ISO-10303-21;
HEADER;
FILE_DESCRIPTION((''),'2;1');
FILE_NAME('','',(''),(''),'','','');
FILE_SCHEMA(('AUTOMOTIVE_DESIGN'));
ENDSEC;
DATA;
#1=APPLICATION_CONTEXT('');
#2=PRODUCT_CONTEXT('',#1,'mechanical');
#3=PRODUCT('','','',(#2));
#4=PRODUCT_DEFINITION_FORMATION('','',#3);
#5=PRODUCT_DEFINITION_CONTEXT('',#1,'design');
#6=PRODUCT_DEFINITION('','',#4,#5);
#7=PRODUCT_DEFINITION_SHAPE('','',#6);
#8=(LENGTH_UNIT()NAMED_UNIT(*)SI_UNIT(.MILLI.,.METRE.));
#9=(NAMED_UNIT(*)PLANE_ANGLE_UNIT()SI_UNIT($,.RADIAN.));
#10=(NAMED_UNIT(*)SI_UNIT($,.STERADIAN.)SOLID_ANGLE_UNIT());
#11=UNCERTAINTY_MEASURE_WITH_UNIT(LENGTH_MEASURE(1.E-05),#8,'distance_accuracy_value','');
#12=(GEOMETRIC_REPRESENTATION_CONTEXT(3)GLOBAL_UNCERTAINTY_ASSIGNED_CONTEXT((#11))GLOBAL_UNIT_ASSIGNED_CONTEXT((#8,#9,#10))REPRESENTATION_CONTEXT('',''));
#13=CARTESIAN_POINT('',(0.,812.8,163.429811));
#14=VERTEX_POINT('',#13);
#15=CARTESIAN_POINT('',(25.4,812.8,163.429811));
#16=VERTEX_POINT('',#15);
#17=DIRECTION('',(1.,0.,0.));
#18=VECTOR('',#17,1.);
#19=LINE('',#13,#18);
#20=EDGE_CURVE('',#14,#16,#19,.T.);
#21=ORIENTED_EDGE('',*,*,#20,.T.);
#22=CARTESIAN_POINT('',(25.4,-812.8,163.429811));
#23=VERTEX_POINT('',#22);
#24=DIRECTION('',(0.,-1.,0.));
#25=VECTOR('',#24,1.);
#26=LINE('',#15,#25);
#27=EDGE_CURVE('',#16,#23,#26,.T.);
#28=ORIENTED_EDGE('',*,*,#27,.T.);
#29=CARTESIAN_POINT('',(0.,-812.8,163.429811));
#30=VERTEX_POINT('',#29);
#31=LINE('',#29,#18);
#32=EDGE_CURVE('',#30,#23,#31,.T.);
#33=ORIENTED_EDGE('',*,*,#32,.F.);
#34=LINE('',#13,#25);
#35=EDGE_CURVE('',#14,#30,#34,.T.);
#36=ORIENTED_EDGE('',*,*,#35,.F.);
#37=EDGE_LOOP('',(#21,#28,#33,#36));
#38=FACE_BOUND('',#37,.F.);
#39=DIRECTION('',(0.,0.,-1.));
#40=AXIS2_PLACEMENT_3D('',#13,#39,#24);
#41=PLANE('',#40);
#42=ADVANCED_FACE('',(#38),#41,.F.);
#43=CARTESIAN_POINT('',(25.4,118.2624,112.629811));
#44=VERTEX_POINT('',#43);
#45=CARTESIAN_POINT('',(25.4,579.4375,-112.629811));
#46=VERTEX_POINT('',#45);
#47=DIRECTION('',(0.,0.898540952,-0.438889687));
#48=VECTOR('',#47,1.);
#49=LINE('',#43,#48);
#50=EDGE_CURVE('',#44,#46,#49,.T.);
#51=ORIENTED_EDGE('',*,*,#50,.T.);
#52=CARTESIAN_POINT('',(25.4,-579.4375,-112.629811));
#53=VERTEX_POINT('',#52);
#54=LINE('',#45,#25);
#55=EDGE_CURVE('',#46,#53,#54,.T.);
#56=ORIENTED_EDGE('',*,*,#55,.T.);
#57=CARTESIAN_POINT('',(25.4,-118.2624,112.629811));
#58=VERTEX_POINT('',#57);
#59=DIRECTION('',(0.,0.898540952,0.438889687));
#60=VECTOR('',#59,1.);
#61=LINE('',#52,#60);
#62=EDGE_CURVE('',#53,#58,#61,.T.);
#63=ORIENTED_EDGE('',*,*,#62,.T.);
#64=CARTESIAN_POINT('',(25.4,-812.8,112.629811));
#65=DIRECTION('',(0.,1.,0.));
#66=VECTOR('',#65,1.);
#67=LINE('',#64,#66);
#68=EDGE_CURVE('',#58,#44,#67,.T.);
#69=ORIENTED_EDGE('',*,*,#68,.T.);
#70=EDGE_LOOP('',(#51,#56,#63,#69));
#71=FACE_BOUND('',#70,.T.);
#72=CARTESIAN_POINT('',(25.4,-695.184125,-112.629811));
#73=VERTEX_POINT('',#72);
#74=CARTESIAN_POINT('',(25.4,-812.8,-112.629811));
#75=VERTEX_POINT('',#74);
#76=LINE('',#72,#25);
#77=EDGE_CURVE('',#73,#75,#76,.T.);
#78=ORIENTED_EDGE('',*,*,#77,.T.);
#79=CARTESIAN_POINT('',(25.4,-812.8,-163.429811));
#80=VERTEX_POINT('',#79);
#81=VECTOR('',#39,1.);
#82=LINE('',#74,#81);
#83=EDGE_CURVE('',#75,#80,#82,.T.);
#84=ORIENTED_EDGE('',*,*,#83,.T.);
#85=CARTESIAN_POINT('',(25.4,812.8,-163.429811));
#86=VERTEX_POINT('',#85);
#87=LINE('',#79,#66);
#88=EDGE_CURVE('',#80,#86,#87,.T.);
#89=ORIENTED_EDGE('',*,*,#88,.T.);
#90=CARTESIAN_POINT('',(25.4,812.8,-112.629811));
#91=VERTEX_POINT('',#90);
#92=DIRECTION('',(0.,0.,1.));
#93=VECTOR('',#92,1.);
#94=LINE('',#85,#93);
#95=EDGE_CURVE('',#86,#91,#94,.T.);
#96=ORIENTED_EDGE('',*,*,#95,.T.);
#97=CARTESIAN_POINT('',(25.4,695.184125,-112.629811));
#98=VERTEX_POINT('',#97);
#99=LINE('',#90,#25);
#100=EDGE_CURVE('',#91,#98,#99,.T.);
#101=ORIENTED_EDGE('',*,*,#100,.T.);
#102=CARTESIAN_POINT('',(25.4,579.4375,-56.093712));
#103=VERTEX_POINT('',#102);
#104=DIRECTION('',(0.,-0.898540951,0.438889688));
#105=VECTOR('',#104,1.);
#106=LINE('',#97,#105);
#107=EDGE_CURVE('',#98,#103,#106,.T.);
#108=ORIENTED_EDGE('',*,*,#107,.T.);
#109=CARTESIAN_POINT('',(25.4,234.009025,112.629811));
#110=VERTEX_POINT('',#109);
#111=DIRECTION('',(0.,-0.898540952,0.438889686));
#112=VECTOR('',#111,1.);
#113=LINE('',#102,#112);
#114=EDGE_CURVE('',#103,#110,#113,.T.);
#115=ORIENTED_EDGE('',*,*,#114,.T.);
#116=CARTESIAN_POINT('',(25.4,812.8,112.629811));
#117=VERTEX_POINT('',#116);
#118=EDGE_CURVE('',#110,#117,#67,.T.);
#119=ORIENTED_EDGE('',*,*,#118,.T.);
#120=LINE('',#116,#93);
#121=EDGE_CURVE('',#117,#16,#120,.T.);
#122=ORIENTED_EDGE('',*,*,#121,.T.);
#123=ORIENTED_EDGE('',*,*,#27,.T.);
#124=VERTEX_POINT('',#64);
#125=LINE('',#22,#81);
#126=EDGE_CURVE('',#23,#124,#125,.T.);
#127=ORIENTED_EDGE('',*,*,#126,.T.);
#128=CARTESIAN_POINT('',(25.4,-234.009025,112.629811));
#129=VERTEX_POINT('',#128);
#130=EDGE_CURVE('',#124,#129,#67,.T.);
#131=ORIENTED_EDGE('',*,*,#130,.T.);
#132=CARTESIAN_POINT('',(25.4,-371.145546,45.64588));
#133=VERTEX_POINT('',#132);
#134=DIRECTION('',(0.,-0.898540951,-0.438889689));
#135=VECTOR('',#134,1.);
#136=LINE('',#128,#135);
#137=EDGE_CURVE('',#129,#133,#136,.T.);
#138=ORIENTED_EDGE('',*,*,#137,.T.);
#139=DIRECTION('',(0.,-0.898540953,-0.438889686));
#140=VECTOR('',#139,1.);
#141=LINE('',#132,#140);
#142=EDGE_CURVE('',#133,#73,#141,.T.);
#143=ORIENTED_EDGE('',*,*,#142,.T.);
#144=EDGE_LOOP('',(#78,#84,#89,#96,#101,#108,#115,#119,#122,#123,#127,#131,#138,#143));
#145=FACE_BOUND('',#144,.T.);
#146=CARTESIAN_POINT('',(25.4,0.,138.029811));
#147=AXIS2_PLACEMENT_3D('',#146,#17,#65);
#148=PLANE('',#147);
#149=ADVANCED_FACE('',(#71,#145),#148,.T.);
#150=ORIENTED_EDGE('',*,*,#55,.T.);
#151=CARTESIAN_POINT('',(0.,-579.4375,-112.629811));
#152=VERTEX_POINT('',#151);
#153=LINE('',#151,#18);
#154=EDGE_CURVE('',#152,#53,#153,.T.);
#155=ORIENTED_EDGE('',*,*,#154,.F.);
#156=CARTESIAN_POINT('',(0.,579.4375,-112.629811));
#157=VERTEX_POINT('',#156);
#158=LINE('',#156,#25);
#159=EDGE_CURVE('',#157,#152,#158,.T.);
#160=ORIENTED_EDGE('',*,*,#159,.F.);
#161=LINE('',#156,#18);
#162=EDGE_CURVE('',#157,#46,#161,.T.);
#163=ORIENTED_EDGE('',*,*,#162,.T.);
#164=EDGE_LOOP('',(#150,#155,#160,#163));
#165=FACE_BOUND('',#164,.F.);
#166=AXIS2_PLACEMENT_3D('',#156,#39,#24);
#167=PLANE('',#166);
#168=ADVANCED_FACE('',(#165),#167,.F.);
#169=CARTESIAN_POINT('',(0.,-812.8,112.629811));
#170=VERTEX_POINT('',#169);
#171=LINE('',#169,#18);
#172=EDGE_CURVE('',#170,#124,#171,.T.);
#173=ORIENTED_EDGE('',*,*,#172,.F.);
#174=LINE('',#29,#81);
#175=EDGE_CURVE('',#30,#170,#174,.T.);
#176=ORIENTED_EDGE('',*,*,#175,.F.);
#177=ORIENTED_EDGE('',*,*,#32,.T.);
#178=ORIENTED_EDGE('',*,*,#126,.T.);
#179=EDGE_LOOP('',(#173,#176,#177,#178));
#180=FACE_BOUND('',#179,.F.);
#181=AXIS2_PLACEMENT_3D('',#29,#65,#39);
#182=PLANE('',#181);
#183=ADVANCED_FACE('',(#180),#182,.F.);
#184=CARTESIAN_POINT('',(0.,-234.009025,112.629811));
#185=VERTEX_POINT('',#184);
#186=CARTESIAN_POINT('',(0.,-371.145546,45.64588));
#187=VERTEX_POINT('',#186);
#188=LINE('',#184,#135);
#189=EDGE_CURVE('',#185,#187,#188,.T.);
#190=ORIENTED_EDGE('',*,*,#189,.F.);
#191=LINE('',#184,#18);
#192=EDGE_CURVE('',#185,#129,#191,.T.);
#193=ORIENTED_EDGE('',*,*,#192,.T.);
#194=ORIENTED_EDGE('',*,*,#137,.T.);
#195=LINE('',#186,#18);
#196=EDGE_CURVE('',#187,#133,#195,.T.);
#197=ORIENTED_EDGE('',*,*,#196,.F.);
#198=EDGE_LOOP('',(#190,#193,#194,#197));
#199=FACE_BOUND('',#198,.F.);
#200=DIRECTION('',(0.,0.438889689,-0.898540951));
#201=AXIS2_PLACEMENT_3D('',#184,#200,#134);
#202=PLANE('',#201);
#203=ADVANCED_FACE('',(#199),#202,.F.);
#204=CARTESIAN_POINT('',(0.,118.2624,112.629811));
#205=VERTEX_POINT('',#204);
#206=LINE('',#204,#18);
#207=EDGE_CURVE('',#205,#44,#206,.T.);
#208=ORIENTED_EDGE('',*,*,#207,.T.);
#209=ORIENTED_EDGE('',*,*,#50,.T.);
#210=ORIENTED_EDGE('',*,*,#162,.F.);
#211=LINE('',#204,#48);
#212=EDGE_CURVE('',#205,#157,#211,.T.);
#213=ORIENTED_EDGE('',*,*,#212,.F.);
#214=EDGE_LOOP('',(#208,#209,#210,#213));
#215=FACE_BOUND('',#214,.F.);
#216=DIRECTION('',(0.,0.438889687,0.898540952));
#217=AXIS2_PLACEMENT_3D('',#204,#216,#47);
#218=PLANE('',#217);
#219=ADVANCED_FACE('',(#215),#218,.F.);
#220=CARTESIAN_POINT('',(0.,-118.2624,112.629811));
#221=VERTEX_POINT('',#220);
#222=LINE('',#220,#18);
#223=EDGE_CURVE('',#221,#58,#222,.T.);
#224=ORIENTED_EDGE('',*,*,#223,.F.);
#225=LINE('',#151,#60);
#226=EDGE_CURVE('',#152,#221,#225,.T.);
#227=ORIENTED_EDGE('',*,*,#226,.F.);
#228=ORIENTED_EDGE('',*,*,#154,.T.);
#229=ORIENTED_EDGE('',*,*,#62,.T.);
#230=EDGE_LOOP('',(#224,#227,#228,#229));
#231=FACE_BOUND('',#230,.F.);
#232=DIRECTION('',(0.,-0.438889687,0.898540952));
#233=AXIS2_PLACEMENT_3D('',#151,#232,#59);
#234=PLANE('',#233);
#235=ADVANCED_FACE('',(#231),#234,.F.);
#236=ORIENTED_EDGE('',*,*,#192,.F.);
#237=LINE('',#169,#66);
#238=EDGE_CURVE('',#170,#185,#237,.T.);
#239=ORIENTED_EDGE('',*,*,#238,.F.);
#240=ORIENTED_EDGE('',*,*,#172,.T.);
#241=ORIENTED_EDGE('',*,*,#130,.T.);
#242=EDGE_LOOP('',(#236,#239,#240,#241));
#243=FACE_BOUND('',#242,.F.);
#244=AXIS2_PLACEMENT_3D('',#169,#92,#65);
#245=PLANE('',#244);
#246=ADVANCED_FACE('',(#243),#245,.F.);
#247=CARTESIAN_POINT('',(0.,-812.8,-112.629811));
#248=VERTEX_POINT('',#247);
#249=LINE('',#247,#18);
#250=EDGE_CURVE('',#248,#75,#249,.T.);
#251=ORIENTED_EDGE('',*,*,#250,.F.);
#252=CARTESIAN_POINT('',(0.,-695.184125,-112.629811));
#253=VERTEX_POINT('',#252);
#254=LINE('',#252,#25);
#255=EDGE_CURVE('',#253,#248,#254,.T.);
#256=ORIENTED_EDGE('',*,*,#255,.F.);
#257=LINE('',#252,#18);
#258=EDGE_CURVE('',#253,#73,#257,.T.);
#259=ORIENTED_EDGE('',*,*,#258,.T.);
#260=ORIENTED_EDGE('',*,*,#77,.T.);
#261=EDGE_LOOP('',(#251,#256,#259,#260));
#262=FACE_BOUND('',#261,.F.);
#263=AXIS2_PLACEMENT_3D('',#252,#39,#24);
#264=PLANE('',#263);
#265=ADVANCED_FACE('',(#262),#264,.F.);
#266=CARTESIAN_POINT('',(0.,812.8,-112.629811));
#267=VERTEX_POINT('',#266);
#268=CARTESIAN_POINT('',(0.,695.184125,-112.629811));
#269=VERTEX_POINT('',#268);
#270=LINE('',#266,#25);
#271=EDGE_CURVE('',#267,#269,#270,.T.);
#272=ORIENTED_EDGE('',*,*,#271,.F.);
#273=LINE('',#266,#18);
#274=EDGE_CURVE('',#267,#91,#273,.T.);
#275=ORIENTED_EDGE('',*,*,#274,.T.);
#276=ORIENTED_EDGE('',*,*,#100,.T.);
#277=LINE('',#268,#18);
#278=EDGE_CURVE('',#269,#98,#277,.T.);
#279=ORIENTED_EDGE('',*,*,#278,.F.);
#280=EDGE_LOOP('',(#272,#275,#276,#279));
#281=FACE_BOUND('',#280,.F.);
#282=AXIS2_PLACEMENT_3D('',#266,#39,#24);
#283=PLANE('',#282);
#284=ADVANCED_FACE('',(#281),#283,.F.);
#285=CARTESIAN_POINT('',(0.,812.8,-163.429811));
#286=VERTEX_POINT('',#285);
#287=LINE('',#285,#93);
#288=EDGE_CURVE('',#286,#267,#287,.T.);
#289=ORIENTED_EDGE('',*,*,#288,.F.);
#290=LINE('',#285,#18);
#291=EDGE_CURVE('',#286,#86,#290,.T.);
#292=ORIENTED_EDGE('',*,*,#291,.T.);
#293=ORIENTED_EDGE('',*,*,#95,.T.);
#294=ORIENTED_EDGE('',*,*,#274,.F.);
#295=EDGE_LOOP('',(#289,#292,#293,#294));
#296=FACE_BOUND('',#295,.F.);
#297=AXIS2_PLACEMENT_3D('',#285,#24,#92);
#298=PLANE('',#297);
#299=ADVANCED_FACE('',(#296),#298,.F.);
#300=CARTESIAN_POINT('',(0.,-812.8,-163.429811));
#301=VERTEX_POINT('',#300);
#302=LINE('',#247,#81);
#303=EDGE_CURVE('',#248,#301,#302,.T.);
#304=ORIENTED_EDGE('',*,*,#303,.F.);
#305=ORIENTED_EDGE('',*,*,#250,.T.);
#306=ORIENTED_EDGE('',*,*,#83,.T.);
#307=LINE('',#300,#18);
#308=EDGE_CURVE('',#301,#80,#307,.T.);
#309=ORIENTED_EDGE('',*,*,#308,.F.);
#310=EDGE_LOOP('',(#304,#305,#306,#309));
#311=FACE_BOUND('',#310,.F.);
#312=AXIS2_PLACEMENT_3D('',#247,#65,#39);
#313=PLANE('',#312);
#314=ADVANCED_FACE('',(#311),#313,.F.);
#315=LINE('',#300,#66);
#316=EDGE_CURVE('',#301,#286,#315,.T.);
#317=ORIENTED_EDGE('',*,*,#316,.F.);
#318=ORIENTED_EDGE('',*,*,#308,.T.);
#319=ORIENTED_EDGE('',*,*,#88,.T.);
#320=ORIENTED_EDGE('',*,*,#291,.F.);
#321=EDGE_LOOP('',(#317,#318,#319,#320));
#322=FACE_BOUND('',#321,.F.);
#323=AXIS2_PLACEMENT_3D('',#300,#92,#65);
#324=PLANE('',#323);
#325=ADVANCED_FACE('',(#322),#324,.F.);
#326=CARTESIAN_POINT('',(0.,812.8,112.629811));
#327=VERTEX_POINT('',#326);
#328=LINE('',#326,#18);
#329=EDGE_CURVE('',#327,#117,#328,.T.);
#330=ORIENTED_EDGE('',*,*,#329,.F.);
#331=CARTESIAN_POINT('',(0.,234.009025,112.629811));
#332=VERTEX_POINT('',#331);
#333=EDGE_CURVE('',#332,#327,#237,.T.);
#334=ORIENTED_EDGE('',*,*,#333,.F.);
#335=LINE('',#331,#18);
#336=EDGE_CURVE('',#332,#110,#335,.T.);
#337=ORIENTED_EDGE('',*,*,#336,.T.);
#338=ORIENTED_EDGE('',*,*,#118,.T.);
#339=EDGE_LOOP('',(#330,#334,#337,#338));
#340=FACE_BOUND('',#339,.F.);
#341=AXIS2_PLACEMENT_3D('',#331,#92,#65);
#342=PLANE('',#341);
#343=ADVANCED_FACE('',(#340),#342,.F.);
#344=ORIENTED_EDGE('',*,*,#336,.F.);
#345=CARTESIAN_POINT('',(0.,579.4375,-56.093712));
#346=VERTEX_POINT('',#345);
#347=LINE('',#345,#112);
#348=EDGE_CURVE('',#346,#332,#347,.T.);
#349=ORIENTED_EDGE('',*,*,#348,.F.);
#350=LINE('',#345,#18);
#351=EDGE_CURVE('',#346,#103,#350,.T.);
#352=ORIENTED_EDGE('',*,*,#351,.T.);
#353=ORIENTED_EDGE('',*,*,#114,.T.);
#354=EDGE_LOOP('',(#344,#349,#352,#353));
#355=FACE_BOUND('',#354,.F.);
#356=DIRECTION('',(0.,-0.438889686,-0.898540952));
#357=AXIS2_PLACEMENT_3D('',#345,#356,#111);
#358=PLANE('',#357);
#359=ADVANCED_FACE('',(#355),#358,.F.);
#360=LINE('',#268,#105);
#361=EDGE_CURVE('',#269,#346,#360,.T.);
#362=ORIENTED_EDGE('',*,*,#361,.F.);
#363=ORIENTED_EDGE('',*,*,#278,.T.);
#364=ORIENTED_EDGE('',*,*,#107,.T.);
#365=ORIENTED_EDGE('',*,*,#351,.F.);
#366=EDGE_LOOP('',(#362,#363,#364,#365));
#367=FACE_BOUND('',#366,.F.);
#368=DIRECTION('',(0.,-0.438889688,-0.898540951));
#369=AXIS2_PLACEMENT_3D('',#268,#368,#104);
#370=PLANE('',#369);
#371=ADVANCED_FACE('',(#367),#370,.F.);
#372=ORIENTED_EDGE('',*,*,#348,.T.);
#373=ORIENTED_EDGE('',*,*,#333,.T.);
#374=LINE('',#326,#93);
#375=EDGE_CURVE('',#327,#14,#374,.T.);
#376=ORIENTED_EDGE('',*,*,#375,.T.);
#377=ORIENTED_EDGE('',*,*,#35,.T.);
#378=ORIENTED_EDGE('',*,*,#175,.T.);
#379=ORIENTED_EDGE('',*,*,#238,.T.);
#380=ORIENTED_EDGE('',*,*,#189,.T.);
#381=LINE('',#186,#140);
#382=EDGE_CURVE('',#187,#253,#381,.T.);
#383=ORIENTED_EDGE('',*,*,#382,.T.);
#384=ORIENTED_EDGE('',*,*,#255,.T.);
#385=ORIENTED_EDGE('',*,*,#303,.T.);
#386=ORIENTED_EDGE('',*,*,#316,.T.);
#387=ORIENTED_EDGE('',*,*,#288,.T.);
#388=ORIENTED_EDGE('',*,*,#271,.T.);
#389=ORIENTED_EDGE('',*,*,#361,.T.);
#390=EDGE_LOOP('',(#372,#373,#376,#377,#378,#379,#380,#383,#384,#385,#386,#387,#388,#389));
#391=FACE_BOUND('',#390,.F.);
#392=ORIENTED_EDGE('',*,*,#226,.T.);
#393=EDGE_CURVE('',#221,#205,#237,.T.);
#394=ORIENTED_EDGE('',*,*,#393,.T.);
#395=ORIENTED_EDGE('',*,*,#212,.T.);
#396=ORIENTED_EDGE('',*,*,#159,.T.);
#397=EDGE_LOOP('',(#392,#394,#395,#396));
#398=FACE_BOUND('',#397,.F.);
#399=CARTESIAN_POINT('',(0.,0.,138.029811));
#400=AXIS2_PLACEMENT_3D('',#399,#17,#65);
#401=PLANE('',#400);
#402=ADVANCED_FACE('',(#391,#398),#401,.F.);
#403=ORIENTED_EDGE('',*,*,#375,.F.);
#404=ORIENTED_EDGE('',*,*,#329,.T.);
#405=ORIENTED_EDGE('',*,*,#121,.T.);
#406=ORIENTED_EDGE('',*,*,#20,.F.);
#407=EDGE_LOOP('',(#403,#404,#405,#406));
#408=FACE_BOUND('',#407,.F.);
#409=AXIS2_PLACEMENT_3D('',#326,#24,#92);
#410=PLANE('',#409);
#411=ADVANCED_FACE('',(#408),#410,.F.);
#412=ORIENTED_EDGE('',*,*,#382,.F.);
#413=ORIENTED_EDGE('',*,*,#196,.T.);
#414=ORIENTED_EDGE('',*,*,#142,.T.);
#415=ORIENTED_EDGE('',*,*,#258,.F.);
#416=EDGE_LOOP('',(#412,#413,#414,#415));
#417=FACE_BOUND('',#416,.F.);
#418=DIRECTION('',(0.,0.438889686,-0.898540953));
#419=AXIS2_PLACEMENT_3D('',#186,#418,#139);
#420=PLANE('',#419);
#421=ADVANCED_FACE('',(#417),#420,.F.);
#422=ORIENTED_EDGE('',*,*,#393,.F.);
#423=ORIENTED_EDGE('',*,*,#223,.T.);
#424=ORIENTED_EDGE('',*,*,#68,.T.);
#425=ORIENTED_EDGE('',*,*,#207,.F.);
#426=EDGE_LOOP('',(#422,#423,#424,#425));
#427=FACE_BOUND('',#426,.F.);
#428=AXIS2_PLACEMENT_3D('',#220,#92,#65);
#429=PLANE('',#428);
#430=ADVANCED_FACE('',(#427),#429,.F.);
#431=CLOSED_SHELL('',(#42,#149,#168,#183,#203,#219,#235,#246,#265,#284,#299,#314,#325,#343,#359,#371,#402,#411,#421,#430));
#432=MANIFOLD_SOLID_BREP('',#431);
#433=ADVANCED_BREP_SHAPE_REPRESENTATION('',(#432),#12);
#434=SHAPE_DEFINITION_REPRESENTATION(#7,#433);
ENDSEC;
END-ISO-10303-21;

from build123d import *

# Parameters (mm, degrees)
F1_DEPTH = 25.4


with BuildPart() as f1:
    # F0 (on Right) → F1 (new body)
    with BuildSketch(Plane.YZ):
        Polygon((812.8, 112.629811), (812.8, 163.429811), (-812.8, 163.429811), (-812.8, 112.629811), (-579.4375, 112.629811), (-234.009025, 112.629811), (-118.2624, 112.629811), (118.2624, 112.629811), (234.009025, 112.629811), (579.4375, 112.629811), align=None)
        Polygon((-118.2624, 112.629811), (-234.009025, 112.629811), (-371.145546, 45.64588), (-695.184125, -112.629811), (-579.4375, -112.629811), align=None)
        Polygon((579.4375, -56.093712), (234.009025, 112.629811), (118.2624, 112.629811), (579.4375, -112.629811), (695.184125, -112.629811), align=None)
        Polygon((695.184125, -112.629811), (579.4375, -112.629811), (118.2624, -112.629811), (-118.2624, -112.629811), (-579.4375, -112.629811), (-695.184125, -112.629811), (-812.8, -112.629811), (-812.8, -163.429811), (812.8, -163.429811), (812.8, -112.629811), align=None)
    extrude(amount=F1_DEPTH)


solid = f1.part
